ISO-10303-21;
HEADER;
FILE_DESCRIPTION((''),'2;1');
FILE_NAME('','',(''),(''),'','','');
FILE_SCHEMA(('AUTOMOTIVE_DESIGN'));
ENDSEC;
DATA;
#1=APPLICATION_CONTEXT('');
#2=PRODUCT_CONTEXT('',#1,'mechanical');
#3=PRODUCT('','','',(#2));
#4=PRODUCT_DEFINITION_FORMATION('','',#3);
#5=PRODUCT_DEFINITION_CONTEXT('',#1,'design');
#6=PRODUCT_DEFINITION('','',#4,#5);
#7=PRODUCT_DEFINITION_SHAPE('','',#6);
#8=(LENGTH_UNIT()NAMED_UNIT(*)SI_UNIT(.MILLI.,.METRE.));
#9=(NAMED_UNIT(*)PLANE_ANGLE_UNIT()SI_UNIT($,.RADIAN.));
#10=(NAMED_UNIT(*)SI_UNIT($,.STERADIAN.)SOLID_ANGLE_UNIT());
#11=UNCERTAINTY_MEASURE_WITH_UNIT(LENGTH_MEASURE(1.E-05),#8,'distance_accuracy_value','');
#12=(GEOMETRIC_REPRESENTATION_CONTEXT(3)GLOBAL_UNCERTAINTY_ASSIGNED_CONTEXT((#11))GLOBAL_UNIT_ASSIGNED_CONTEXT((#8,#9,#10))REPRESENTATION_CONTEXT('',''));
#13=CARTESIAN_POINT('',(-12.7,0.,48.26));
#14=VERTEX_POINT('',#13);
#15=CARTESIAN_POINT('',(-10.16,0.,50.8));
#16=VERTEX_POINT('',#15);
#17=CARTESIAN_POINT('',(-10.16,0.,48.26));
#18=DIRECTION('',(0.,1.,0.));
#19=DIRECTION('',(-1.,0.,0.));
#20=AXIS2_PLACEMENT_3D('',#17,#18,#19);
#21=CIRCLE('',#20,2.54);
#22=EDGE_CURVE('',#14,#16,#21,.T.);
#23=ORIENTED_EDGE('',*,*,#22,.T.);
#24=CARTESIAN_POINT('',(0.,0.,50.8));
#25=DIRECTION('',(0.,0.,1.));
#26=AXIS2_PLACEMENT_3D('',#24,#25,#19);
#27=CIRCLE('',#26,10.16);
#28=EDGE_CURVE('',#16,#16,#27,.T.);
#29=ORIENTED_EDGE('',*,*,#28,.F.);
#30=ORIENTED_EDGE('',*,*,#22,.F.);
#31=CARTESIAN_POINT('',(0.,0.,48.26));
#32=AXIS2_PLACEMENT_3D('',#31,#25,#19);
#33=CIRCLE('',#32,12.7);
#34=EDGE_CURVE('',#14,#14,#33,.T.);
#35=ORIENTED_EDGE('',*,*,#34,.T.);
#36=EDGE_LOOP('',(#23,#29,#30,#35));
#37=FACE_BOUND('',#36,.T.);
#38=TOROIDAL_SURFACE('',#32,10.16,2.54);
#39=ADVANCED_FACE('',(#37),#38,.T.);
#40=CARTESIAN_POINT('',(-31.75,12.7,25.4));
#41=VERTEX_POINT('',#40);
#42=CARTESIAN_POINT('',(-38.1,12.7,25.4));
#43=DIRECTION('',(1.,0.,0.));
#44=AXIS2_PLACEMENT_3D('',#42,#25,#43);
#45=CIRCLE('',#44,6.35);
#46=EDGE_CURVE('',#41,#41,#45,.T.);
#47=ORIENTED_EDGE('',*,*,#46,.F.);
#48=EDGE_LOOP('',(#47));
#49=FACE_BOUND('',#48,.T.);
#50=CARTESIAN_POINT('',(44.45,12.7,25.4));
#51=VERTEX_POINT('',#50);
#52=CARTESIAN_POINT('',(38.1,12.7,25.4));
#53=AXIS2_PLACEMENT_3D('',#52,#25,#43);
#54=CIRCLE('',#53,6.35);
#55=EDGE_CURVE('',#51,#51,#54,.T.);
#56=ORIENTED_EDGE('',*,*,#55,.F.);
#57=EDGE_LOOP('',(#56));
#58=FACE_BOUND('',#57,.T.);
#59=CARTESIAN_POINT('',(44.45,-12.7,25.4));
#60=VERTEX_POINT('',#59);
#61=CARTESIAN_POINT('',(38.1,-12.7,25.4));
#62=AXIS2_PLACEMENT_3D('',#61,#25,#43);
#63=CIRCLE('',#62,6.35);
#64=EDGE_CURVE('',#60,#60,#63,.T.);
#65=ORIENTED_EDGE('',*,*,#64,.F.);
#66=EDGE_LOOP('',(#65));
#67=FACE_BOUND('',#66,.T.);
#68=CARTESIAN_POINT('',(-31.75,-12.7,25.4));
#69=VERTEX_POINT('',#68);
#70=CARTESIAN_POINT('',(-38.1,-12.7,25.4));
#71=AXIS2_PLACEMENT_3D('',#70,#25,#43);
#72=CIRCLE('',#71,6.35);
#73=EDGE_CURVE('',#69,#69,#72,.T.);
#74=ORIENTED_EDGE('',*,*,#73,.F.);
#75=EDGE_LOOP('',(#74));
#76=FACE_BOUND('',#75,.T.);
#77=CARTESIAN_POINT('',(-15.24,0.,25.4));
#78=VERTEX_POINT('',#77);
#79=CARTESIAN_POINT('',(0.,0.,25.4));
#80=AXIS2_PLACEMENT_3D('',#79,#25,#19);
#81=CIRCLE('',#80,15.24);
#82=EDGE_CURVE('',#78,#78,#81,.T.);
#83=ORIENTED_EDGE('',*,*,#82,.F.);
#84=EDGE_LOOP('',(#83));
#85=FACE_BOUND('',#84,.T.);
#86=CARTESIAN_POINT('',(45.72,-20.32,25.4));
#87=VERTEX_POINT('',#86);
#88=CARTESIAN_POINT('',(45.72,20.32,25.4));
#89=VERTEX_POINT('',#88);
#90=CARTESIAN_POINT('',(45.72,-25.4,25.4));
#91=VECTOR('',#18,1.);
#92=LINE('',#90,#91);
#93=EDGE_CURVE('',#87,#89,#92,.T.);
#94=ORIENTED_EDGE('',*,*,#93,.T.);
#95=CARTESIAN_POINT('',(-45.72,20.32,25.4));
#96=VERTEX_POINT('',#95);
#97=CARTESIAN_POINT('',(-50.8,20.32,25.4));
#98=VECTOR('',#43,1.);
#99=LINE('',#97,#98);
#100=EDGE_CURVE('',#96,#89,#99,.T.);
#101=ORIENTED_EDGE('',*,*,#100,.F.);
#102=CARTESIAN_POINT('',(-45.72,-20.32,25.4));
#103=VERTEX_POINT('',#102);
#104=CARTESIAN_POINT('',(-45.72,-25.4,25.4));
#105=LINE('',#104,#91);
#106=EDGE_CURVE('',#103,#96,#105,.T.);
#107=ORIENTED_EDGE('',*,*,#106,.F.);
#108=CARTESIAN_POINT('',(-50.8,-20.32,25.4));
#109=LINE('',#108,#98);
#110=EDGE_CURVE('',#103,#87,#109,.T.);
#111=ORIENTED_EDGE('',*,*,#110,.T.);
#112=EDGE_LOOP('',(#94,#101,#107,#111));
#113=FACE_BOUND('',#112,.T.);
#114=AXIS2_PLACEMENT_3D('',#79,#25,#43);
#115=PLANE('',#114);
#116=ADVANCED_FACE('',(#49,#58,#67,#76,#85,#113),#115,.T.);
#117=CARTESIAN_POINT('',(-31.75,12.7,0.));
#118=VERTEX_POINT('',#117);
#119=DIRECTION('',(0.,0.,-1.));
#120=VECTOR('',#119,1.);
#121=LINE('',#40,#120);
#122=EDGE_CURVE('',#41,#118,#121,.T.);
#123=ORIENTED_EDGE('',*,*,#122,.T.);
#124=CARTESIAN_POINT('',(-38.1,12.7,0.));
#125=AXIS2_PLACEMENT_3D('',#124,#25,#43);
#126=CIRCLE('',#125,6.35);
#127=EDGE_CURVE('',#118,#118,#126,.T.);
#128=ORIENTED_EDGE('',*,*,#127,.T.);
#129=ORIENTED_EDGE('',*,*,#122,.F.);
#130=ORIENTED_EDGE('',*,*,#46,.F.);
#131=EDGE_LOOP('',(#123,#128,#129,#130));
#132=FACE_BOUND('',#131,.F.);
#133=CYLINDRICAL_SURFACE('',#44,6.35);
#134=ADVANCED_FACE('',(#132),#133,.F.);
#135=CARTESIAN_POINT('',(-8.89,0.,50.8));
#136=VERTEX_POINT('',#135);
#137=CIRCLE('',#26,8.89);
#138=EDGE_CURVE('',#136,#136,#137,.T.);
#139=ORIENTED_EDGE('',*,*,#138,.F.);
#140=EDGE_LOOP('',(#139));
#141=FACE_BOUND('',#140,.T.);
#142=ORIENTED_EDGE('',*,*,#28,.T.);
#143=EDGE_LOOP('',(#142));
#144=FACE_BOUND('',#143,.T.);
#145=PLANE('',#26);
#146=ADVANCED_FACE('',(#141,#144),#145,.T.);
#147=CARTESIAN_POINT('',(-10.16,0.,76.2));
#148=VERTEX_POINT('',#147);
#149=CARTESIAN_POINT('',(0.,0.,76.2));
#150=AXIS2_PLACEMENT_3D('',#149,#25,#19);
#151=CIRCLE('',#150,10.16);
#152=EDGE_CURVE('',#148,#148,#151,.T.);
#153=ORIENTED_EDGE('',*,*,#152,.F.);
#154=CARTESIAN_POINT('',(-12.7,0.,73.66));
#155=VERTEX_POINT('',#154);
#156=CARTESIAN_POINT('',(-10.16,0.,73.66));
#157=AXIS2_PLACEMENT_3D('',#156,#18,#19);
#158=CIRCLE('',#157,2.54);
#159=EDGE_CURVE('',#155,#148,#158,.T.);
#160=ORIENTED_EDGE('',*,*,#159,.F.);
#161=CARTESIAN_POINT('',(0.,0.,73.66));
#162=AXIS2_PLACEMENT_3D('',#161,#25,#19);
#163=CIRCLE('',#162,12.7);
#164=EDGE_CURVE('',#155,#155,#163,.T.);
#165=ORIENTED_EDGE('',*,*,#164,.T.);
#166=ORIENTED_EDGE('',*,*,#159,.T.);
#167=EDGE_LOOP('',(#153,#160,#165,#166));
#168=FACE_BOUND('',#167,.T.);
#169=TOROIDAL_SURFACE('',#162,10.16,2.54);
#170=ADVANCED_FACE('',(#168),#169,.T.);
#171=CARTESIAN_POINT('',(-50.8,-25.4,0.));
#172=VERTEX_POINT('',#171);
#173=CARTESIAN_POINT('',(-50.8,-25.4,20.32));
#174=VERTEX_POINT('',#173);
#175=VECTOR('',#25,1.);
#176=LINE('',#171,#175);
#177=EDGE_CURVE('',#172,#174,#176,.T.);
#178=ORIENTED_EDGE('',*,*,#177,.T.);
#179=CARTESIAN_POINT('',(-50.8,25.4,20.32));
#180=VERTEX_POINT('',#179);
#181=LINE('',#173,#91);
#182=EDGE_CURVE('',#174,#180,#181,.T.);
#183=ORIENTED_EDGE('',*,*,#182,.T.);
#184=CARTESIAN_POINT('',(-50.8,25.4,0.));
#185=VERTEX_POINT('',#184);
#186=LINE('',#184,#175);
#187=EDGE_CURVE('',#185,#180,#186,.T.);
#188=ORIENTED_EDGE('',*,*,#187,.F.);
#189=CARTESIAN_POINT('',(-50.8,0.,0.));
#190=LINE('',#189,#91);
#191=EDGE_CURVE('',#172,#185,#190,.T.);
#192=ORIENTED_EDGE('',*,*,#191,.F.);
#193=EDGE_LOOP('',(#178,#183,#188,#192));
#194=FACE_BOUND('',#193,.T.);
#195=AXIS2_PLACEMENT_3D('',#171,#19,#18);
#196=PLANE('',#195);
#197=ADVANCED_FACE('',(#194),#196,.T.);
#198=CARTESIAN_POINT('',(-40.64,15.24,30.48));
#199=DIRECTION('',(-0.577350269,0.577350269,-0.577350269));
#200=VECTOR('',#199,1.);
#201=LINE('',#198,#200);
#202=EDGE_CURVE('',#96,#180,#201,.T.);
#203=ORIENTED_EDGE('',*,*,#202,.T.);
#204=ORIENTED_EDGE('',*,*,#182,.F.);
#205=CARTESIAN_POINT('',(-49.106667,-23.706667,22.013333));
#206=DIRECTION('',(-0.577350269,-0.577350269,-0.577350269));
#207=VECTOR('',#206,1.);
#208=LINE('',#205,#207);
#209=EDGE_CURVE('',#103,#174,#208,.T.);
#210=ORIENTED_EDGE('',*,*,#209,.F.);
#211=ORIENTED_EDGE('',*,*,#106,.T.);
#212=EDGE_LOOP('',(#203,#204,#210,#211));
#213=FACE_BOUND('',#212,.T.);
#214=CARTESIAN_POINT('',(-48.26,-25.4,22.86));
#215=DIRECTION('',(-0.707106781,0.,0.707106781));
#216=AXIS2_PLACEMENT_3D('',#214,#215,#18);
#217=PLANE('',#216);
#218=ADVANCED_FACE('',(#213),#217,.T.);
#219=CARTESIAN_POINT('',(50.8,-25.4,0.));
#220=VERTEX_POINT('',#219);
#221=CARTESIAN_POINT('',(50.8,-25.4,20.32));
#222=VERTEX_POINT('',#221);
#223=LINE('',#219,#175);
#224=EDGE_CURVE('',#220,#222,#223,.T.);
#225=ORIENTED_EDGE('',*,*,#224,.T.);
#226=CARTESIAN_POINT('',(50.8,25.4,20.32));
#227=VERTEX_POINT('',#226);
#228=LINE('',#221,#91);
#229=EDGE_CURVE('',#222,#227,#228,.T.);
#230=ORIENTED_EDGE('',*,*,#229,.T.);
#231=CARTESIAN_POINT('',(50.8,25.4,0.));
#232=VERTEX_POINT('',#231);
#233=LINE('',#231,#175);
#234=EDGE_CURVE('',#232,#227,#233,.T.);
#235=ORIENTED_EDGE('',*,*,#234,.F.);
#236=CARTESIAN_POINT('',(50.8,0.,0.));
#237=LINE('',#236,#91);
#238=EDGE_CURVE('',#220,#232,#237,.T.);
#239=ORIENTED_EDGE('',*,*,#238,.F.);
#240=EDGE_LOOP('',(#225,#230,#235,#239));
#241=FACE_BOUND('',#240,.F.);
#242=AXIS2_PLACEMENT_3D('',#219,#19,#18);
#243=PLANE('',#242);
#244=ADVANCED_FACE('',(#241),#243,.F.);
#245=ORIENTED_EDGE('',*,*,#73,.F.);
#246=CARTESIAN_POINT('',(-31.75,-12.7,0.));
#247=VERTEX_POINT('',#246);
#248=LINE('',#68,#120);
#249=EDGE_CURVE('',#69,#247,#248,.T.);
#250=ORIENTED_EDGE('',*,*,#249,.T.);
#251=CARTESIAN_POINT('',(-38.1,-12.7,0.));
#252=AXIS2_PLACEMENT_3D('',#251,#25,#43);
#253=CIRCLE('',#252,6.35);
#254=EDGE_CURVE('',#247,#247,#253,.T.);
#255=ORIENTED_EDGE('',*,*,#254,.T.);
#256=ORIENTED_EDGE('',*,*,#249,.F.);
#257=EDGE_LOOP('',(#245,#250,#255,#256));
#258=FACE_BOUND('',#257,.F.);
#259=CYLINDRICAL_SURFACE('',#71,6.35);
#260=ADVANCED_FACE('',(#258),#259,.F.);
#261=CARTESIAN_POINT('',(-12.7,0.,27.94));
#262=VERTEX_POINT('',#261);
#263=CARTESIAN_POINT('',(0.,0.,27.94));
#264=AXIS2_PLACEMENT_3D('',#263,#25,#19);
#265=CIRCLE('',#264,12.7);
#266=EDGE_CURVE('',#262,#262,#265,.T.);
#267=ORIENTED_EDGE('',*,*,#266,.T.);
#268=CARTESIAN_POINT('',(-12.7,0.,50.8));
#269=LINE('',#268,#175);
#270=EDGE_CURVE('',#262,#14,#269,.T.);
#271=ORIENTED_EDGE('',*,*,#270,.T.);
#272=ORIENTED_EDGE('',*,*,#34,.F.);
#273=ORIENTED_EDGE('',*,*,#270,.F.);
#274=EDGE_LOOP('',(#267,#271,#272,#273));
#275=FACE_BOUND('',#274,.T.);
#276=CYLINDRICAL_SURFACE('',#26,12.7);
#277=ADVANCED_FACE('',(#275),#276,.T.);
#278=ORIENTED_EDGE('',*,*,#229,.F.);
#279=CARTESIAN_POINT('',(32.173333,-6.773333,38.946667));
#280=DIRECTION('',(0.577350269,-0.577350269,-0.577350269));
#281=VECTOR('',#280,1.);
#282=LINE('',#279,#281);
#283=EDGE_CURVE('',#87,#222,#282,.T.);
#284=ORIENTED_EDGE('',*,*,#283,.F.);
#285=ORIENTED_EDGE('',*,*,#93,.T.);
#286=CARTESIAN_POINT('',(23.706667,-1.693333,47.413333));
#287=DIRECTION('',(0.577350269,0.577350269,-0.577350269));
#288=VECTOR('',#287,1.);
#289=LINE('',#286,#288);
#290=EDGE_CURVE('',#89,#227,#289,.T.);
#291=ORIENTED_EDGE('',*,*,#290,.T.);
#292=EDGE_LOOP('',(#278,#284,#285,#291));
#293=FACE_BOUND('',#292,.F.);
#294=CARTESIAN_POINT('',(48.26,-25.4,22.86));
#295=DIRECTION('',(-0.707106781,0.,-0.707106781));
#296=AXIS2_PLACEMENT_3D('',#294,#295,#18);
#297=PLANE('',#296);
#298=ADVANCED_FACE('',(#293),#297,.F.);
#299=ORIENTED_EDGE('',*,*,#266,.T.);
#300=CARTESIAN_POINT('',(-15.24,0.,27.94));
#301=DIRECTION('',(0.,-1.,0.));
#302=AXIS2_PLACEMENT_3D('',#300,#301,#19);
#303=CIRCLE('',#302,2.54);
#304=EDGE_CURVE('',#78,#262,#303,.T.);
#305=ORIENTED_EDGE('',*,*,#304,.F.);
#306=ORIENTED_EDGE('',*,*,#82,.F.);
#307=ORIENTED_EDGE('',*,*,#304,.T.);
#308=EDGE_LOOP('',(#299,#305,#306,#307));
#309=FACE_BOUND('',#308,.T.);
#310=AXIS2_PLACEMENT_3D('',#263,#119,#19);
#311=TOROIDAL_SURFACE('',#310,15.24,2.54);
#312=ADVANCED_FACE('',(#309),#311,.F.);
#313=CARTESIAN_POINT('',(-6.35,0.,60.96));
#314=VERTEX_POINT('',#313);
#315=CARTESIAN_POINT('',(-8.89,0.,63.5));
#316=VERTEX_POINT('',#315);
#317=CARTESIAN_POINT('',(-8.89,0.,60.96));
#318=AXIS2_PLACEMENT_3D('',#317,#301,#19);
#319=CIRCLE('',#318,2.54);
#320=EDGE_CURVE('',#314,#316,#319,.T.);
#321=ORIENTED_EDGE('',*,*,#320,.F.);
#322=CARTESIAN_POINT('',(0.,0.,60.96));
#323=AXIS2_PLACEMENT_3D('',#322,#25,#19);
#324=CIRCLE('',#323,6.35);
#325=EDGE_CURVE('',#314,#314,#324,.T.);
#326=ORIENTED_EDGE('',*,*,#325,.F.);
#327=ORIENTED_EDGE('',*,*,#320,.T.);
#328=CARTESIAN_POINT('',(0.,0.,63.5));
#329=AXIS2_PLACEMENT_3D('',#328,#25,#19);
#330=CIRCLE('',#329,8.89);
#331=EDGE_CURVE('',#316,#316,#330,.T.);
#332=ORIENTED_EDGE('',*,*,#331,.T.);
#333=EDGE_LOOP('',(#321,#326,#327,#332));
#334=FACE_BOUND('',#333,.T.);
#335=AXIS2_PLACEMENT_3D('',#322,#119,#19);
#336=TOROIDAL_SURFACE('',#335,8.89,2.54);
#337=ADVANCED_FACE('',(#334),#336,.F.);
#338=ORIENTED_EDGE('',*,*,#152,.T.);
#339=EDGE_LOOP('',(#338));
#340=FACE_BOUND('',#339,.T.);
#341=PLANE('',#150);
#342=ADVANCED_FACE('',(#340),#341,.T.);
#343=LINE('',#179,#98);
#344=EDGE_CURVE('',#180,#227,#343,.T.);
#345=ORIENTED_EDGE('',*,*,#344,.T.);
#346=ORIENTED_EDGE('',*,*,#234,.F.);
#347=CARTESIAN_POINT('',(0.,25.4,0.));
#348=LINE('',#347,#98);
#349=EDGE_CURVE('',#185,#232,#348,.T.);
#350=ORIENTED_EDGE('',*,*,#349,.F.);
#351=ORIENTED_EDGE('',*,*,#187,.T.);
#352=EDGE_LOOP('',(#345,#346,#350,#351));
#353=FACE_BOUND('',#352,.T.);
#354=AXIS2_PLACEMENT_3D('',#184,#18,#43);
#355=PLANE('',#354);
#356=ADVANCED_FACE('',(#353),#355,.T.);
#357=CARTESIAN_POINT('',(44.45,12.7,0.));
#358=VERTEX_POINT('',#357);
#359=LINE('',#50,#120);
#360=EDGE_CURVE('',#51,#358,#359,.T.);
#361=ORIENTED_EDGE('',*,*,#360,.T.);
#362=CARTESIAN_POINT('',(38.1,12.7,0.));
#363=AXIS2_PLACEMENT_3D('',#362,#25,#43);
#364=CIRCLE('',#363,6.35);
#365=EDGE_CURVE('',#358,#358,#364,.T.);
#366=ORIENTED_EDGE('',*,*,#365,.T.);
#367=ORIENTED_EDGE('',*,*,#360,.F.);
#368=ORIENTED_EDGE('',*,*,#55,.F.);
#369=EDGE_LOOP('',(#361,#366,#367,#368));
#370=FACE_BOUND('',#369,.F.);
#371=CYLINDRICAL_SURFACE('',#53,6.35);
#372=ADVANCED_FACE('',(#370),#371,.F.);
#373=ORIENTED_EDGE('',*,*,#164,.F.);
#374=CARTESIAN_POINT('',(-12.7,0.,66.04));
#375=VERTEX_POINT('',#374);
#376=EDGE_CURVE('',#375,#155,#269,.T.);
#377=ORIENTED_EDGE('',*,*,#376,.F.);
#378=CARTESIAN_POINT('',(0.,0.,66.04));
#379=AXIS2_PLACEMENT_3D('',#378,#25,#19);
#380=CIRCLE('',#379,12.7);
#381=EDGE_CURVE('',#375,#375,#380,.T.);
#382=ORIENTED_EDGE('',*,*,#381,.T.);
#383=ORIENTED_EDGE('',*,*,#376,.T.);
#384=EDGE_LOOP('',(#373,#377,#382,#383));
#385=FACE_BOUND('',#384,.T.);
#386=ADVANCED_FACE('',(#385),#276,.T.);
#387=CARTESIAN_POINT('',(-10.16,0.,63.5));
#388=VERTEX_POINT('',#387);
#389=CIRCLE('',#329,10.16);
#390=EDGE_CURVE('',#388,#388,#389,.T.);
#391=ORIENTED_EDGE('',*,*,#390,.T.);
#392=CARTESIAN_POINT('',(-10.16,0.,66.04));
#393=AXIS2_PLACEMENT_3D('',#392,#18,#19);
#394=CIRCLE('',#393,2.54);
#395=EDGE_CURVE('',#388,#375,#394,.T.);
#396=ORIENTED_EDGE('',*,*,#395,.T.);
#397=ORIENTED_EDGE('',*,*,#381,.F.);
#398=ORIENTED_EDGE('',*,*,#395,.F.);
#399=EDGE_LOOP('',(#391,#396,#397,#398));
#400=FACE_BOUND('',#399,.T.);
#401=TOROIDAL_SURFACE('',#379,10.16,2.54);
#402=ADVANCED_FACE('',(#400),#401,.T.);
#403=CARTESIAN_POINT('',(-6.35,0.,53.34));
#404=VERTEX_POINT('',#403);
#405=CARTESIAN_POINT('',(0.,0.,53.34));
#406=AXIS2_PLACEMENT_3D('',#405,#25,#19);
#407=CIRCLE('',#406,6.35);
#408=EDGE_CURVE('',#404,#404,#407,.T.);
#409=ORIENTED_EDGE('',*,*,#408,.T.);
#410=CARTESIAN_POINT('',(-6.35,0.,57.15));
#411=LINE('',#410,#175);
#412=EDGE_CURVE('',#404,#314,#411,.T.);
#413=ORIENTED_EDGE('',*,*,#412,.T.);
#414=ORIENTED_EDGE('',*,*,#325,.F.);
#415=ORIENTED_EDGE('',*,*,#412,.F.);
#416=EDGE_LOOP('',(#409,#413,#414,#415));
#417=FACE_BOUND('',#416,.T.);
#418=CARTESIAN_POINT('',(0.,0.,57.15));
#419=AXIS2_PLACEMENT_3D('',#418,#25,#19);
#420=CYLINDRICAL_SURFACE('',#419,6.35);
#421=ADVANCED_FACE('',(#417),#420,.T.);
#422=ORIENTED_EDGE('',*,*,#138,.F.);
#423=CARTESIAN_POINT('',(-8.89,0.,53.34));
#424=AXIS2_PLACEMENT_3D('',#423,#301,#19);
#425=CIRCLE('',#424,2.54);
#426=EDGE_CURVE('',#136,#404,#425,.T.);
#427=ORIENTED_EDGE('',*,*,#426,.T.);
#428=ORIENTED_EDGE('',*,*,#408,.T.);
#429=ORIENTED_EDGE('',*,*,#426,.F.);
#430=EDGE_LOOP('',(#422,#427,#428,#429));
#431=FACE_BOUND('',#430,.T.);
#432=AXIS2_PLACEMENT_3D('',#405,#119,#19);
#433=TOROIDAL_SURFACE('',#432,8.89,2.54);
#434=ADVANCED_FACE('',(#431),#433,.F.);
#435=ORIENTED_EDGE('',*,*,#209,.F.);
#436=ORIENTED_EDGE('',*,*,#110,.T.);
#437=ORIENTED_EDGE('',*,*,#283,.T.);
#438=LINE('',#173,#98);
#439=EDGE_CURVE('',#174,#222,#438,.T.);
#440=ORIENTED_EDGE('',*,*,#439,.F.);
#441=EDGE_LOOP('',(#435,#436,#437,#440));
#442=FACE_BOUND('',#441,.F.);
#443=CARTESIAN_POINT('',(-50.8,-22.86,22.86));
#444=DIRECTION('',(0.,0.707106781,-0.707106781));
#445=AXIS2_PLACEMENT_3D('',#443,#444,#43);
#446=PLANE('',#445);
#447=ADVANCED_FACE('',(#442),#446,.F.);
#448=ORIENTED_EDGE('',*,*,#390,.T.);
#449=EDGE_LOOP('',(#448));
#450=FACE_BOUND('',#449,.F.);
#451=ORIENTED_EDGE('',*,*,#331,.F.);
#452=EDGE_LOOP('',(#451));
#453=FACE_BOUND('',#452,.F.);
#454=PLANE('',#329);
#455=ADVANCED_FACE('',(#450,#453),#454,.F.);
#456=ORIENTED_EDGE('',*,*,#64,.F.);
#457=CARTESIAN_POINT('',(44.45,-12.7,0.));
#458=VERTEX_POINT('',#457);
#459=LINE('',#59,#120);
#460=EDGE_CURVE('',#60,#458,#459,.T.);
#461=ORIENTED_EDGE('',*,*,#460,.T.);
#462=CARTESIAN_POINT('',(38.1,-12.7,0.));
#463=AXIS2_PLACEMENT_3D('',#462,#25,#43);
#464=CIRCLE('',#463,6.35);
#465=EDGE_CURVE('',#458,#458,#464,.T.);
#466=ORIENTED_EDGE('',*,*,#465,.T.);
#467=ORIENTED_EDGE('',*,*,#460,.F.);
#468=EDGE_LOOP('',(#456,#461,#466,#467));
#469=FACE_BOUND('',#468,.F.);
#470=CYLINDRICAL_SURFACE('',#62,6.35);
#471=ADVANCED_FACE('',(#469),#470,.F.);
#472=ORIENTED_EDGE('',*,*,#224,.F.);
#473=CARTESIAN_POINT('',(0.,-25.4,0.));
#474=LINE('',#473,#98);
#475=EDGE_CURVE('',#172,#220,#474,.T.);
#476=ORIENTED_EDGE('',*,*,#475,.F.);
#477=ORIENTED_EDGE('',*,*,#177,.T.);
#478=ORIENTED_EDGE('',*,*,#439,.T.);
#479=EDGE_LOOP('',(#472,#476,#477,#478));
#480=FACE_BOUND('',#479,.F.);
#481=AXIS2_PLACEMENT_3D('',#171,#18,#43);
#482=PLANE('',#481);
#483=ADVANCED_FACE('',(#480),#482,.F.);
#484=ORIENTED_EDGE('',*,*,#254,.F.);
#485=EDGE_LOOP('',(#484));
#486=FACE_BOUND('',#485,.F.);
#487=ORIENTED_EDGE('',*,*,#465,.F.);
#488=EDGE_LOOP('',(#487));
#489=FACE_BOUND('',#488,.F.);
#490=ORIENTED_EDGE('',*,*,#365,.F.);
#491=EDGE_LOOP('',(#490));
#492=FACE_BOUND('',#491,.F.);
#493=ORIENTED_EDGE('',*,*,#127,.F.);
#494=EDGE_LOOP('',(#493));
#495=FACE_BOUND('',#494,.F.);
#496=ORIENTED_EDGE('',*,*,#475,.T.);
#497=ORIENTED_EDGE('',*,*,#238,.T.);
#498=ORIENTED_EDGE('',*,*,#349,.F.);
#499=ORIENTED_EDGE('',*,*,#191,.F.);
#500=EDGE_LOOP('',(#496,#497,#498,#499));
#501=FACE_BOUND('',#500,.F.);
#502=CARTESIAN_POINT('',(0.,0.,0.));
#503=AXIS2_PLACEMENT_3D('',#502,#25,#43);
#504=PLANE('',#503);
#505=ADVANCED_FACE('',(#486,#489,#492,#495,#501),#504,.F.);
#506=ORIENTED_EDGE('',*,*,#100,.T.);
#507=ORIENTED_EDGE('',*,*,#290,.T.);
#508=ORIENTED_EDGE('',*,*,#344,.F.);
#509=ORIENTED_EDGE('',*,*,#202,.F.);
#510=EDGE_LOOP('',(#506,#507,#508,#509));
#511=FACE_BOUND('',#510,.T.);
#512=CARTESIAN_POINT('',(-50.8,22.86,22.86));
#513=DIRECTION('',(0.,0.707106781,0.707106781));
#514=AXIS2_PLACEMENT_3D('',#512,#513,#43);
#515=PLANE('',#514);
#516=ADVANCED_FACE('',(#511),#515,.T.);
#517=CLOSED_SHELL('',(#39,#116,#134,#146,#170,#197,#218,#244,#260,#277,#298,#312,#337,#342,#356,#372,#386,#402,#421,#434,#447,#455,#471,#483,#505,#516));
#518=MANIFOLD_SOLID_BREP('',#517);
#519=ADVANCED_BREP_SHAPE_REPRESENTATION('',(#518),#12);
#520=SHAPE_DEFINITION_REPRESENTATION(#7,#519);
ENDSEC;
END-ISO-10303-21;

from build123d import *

# Parameters (mm, degrees)
F0_W     = 101.6
F0_H     = 50.8
F1_DEPTH = 25.4
F2_R     = 6.35
F3_DEPTH = 25.401
F4_W     = 12.7
F4_H     = 50.8
F6_W     = 12.7
F6_H     = 12.7
F8_R     = 2.54
F9_SIZE  = 5.08


with BuildPart() as f1:
    # F0 (on Top) → F1 (new body)
    with BuildSketch(Plane.XY):
        Rectangle(F0_W, F0_H)
    extrude(amount=F1_DEPTH)

    # F2 (on face) → F3 (cut, through all)
    with BuildSketch(Plane.XY.offset(25.4)):
        with Locations((-38.1, 12.7)):
            Circle(F2_R)
        with Locations((38.1, 12.7)):
            Circle(F2_R)
        with Locations((38.1, -12.7)):
            Circle(F2_R)
        with Locations((-38.1, -12.7)):
            Circle(F2_R)
    extrude(amount=-F3_DEPTH, mode=Mode.SUBTRACT)

    # F4 (on Front) → F5 (revolve)
    with BuildSketch(Plane.XZ):
        with Locations((-6.35, 50.8)):
            Rectangle(F4_W, F4_H)
    revolve(axis=Axis((0, 0, 50.8), (0, 0, 1)))

    # F6 (on Front) → F7 (revolve, cut)
    with BuildSketch(Plane.XZ):
        with Locations((-12.7, 57.15)):
            Rectangle(F6_W, F6_H)
    revolve(axis=Axis((0, 0, 44.482126832), (0, 0, 1)), mode=Mode.SUBTRACT)

    # F8
    f8_edges = [f1.edges().sort_by_distance(p)[0] for p in [
        (12.7, 0, 50.8),
        (6.35, 0, 50.8),
        (12.7, 0, 63.5),
        (6.35, 0, 63.5),
        (12.7, 0, 25.4),
        (12.7, 0, 76.2),
    ]]
    fillet(f8_edges, radius=F8_R)

    # F9
    f9_edges = [f1.edges().sort_by_distance(p)[0] for p in [
        (0, 25.4, 25.4),
        (50.8, 0, 25.4),
        (0, -25.4, 25.4),
        (-50.8, 0, 25.4),
    ]]
    chamfer(f9_edges, length=F9_SIZE)


solid = f1.part
